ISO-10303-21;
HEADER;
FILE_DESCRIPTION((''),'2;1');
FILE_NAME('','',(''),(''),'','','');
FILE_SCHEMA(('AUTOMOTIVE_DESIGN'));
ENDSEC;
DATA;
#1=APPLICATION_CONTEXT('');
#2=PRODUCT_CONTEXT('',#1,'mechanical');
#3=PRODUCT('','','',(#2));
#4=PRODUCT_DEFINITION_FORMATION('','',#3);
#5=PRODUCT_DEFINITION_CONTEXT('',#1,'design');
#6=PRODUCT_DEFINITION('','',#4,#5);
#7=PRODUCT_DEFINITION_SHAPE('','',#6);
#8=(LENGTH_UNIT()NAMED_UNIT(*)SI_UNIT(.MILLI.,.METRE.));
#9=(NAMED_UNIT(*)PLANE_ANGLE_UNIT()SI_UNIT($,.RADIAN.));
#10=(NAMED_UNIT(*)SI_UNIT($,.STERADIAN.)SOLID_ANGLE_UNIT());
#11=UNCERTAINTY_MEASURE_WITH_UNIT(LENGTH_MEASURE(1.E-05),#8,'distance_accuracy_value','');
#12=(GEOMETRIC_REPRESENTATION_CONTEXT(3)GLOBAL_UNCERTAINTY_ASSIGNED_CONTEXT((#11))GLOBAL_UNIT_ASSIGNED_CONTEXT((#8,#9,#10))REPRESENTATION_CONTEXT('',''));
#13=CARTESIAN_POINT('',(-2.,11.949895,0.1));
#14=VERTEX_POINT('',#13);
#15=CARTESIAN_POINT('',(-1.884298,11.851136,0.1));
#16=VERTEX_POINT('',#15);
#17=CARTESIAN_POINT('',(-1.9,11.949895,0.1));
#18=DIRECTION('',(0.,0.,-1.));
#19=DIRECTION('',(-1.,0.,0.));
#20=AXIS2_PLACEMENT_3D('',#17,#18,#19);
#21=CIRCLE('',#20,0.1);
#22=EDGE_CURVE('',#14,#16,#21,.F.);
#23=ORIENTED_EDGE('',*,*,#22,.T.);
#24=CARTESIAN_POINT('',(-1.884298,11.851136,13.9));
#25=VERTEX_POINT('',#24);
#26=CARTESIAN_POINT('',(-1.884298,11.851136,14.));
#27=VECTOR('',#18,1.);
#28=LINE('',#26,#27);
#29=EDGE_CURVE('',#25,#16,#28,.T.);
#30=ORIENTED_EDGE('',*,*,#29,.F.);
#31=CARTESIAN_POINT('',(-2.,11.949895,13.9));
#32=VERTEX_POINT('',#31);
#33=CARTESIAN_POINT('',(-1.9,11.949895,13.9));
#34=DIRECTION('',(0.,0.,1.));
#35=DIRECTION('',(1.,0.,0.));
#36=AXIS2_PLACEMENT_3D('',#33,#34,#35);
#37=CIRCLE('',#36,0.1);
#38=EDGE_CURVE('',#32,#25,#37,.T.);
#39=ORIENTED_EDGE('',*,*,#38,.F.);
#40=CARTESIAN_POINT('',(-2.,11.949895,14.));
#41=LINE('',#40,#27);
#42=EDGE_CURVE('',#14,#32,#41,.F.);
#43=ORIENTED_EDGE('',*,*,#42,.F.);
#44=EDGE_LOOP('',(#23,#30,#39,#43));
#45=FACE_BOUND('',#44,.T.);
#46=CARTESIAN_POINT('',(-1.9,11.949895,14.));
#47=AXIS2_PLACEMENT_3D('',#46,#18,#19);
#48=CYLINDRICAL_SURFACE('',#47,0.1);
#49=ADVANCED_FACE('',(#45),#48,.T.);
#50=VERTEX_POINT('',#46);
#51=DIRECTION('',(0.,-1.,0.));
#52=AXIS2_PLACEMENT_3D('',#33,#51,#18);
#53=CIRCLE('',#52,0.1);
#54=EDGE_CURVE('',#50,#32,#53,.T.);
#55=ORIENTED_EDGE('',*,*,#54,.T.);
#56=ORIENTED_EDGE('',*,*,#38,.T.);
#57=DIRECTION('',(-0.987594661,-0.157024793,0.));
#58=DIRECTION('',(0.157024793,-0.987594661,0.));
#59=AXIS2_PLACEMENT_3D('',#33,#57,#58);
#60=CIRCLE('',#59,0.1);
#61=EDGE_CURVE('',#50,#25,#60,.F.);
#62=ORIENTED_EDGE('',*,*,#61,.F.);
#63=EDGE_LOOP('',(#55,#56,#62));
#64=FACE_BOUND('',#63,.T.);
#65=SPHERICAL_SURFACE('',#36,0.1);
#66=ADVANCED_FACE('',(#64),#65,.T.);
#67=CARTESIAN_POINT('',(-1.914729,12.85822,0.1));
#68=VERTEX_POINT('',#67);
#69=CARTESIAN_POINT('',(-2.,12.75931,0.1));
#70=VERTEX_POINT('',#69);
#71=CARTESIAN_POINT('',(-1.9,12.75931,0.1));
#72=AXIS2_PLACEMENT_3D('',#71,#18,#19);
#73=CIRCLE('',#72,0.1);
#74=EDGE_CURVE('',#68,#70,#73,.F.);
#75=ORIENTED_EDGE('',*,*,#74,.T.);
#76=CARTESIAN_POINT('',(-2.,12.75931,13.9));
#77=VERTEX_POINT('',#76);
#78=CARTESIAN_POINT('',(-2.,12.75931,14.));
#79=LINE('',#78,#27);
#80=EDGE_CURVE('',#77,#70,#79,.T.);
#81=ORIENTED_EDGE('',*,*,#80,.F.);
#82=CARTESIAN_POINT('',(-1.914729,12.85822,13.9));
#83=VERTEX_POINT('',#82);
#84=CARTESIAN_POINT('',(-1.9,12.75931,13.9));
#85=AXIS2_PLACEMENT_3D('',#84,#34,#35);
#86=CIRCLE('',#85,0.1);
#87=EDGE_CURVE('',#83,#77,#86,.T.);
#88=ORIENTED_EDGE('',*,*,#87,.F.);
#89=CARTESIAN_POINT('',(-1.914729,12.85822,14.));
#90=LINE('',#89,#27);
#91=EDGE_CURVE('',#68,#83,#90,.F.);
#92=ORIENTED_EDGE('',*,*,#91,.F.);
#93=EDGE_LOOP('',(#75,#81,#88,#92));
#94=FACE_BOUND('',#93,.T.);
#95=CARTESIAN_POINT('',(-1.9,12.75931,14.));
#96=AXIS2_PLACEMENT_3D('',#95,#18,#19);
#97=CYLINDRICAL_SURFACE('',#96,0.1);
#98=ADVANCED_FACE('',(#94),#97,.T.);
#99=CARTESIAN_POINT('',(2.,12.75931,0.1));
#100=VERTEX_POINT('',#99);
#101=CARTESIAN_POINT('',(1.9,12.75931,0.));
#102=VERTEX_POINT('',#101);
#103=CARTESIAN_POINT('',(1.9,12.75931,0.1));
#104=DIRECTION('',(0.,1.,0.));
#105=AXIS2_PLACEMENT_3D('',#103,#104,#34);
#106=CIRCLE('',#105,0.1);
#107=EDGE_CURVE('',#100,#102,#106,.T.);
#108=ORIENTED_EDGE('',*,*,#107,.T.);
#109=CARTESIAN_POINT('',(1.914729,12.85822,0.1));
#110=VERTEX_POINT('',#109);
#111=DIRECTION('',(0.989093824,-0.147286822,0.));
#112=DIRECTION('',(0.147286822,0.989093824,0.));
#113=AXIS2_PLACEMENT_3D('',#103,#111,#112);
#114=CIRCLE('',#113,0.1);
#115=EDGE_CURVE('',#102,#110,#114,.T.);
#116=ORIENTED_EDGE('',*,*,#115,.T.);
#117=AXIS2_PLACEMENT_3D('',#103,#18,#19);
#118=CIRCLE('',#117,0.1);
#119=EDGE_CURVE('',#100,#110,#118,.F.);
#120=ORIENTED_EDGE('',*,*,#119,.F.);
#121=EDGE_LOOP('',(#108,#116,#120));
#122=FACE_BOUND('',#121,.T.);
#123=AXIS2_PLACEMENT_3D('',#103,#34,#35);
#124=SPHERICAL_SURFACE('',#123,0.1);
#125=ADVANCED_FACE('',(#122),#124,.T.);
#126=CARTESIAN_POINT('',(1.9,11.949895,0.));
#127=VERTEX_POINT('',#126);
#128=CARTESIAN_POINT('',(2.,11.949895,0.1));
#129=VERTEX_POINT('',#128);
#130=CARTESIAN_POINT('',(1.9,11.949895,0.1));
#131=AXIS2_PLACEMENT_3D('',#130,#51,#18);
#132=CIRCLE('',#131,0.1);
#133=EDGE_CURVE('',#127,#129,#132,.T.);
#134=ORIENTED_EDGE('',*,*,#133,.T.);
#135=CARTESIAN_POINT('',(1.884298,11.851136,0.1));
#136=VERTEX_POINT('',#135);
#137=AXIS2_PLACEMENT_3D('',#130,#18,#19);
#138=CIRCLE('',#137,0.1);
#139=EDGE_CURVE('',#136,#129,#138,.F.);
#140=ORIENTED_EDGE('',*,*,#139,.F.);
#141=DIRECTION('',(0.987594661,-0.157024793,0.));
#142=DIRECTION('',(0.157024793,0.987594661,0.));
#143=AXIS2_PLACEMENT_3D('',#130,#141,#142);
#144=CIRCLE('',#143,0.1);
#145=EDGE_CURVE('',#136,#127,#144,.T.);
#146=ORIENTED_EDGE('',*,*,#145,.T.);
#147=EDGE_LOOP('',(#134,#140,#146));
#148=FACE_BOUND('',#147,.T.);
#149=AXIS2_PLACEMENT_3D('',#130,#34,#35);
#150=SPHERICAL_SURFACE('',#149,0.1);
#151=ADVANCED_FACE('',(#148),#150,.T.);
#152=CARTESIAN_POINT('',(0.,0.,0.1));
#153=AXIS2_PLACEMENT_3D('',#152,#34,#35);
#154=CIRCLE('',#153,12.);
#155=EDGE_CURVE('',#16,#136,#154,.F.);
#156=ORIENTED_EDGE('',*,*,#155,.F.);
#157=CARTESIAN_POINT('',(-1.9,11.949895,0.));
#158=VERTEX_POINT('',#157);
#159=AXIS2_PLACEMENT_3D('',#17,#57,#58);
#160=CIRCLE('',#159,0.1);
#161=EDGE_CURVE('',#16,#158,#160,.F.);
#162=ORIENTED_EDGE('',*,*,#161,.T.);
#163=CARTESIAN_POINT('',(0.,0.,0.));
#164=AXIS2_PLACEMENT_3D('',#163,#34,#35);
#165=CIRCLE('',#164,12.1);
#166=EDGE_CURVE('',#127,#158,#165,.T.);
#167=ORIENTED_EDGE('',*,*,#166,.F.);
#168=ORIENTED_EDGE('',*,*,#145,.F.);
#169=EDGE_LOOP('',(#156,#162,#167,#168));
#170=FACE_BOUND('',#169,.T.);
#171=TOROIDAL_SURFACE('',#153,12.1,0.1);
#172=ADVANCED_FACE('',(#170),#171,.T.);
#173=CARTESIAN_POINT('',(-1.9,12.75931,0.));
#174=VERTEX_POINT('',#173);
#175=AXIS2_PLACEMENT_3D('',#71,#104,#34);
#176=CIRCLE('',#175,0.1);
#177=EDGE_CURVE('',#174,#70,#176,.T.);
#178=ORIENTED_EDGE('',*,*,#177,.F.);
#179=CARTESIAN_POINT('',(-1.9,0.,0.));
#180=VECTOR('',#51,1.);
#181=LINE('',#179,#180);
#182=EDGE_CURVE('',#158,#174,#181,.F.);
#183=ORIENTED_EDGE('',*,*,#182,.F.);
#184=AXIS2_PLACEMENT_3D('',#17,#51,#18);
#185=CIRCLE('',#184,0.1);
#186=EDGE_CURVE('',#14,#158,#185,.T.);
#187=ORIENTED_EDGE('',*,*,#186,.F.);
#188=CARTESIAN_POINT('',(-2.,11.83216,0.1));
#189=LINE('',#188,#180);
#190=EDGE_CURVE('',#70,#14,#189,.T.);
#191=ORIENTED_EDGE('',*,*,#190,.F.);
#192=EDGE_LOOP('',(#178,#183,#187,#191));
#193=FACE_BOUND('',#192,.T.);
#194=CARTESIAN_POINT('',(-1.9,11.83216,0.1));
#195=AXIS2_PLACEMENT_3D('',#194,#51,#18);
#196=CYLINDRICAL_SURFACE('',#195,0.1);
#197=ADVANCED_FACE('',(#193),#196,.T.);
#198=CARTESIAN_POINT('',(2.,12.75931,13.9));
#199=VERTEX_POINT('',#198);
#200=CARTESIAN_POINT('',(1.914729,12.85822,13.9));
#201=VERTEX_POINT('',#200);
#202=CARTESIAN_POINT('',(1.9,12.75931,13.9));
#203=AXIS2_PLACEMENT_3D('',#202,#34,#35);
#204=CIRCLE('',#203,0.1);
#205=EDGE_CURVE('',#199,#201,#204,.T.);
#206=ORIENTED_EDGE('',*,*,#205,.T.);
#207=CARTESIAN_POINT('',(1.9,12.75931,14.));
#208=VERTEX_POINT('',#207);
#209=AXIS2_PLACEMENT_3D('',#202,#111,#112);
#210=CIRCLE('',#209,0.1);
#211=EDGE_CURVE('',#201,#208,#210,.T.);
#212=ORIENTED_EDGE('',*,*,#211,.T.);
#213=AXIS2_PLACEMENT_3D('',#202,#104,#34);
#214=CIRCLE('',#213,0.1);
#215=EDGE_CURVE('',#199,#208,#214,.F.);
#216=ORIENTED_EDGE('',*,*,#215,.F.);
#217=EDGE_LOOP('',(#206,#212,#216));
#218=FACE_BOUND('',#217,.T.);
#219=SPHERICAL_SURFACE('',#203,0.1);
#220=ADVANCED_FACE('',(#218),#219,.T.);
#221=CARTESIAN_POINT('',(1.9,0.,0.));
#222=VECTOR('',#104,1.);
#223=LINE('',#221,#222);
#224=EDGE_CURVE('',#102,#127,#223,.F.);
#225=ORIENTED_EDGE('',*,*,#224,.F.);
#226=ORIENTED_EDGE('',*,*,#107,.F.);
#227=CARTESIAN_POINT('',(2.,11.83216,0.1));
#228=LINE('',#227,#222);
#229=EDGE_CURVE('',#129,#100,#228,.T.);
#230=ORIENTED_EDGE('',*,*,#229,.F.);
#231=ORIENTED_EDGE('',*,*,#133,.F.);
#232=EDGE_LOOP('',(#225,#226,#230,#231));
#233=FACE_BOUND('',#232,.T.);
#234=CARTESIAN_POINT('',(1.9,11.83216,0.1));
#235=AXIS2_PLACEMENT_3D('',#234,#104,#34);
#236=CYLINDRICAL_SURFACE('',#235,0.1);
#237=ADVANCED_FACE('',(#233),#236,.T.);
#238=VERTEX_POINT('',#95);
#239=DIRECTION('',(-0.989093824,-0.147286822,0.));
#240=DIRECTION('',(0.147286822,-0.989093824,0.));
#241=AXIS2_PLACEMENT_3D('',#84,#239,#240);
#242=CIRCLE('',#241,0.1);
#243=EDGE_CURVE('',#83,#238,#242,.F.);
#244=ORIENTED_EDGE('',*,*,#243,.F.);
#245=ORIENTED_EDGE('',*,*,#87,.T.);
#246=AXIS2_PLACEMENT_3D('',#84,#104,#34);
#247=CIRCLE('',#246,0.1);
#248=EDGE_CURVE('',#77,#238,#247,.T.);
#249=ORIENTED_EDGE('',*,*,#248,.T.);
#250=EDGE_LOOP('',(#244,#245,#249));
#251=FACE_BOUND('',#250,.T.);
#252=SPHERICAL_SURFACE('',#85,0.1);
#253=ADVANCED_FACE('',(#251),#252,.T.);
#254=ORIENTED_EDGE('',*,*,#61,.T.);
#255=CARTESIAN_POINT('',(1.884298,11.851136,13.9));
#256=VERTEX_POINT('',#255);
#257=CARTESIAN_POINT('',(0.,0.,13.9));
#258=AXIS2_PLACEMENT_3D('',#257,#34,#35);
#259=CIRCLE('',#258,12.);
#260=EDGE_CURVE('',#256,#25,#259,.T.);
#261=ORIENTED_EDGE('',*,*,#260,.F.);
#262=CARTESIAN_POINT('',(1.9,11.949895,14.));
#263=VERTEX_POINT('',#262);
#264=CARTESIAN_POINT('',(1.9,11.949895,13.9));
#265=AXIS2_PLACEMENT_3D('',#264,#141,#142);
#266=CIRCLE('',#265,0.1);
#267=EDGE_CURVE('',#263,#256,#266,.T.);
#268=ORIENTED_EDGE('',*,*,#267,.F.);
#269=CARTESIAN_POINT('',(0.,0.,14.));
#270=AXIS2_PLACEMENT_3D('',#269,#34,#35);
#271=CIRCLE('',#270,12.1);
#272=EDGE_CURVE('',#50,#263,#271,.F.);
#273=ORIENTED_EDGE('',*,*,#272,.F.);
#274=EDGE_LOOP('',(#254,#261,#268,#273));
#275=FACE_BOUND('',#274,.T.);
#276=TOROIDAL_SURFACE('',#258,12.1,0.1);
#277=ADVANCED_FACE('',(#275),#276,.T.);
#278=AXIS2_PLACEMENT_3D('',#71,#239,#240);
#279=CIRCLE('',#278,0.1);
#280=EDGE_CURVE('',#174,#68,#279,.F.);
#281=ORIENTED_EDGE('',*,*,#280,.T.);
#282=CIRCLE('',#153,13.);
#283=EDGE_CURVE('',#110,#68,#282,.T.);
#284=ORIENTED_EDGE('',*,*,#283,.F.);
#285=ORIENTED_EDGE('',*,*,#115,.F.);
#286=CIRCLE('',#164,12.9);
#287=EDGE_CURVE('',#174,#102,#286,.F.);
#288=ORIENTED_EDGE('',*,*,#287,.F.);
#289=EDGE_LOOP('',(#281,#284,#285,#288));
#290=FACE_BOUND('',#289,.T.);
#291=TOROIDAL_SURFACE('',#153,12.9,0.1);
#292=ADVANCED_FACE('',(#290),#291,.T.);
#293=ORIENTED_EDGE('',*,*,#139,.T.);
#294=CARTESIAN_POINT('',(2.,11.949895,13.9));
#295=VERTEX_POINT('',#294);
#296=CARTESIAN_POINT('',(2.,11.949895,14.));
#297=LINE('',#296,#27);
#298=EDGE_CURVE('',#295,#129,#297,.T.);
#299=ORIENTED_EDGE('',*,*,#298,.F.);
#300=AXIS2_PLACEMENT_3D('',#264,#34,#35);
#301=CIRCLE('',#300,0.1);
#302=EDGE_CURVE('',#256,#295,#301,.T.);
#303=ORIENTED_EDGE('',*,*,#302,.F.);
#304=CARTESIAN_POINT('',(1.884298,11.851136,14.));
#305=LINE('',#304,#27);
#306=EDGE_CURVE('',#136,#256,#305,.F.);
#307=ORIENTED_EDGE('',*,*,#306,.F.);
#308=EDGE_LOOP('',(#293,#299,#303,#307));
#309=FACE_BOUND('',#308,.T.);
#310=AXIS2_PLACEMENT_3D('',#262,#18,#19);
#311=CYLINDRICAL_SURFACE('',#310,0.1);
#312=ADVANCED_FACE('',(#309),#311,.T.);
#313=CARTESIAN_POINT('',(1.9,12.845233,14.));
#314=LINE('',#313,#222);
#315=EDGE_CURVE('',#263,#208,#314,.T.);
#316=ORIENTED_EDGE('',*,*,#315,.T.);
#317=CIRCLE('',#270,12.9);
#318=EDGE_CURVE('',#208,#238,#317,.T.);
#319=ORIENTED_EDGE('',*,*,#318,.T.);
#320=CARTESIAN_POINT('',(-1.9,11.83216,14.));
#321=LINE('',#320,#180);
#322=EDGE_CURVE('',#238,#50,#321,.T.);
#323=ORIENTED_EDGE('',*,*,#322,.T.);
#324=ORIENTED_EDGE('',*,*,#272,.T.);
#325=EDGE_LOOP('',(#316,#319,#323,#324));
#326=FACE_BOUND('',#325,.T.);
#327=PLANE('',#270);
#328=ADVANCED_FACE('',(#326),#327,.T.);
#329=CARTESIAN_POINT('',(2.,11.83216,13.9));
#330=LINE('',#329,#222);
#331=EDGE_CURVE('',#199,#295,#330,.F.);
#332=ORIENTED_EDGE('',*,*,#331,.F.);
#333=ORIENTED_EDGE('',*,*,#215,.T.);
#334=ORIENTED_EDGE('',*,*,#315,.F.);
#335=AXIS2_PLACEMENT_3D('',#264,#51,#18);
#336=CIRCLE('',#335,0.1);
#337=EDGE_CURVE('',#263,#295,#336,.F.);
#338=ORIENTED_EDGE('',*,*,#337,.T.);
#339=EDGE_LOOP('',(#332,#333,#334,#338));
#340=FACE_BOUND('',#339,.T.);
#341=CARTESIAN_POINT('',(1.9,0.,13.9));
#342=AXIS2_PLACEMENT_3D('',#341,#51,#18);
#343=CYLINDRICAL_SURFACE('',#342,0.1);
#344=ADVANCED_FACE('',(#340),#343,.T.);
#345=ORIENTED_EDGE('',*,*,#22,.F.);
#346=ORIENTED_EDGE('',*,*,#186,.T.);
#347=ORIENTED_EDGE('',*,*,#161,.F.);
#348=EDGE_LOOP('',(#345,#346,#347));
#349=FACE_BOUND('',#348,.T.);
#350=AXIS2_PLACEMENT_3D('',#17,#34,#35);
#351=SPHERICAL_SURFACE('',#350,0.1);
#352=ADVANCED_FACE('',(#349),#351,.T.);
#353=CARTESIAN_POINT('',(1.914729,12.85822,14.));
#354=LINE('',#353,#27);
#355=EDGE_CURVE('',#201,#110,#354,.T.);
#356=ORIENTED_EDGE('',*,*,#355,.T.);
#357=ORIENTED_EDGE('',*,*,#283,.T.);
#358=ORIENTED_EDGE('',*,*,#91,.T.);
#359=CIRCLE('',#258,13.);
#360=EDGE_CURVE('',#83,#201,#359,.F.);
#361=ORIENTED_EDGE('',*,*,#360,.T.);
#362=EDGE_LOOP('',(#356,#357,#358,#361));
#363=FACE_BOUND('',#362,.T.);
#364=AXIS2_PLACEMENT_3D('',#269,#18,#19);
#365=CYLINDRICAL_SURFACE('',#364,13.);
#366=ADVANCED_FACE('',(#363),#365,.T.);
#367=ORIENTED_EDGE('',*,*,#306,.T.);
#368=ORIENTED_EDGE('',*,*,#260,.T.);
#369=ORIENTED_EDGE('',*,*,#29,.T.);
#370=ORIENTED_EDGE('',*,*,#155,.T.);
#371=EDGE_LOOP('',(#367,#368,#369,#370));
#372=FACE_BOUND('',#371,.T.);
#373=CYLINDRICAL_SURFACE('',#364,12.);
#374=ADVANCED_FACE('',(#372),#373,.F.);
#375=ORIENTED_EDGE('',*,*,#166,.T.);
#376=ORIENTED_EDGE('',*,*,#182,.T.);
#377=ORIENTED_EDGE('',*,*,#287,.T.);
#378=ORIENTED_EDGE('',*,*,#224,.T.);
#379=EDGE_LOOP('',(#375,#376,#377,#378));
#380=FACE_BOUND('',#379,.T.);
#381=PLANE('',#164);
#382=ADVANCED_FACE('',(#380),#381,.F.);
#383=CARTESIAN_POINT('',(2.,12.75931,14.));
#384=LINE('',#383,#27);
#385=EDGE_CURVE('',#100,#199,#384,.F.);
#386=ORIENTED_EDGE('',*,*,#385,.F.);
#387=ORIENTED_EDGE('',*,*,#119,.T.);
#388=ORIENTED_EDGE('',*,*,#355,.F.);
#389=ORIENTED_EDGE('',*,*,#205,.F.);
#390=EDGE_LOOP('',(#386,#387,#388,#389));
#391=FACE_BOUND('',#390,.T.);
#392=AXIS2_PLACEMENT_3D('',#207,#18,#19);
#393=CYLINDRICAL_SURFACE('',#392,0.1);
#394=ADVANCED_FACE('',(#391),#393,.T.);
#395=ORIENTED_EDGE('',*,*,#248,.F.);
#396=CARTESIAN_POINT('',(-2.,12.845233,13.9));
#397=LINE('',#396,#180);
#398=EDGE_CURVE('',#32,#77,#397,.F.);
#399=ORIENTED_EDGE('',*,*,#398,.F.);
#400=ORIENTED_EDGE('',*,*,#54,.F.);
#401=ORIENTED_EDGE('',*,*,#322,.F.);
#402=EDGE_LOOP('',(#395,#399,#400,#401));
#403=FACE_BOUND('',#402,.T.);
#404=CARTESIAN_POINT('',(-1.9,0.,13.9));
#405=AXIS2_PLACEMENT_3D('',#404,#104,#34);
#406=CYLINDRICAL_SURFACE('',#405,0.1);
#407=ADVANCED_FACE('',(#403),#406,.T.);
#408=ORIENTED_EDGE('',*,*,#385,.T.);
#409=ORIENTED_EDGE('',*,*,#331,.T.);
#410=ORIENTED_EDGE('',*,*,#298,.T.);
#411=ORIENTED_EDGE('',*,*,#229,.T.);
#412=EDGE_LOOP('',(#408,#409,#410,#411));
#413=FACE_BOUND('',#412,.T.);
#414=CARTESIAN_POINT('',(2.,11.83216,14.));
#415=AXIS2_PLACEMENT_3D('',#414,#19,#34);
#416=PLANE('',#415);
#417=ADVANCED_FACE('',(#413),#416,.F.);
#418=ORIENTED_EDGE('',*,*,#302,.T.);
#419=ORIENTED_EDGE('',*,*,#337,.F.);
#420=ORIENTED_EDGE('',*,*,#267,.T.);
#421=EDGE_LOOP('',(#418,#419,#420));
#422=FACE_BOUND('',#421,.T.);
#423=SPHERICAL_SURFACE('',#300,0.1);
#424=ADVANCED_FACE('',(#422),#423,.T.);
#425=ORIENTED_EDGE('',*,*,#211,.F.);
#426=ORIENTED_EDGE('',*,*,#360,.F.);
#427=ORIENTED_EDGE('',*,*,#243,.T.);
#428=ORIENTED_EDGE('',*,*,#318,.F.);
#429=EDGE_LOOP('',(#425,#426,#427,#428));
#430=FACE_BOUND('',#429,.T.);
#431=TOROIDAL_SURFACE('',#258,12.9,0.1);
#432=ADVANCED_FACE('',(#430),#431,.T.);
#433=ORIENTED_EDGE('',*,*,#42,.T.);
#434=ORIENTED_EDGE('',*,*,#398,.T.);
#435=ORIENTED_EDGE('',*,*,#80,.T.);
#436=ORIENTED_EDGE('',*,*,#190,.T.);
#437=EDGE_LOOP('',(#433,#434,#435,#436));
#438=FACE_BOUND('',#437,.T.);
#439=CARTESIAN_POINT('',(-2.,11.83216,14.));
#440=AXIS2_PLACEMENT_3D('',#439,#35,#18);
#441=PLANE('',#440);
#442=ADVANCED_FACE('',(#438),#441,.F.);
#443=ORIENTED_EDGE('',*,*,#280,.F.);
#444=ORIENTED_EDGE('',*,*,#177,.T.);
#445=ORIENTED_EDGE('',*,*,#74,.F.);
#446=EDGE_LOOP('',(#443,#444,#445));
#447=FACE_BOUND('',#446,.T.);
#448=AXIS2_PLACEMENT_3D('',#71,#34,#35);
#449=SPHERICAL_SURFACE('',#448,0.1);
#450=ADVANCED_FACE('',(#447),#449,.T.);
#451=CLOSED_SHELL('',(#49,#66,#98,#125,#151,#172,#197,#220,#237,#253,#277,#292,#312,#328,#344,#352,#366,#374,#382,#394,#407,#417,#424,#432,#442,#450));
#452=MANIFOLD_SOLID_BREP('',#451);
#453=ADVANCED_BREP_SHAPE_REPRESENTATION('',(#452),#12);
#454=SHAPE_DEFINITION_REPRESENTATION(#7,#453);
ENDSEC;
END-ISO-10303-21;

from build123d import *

# Parameters (mm, degrees)
BOSS_EXTRUDE1_DEPTH = 14
FILLET1_R           = 0.1


with BuildPart() as part:
    # Sketch1 → Boss-Extrude1 (new body)
    with BuildSketch(Plane.XY):
        with BuildLine():
            Line((2, 11.832159566), (2, 12.845232579))
            ThreePointArc((2, 12.845232579), (0, 13), (-2, 12.845232579))
            Line((-2, 12.845232579), (-2, 11.832159566))
            ThreePointArc((-2, 11.832159566), (0, 12), (2, 11.832159566))
        make_face()
    extrude(amount=BOSS_EXTRUDE1_DEPTH)

    # Fillet1
    fillet1_edges = [part.edges().sort_by_distance(p)[0] for p in [
        (0, 13, 14),
        (-2, 12.338696072, 14),
        (0, 12, 14),
        (-2, 12.338696072, 0),
        (0, 13, 0),
        (2, 12.338696072, 0),
        (0, 12, 0),
        (2, 12.338696072, 14),
        (-2, 11.832159566, 7),
        (-2, 12.845232579, 7),
        (2, 12.845232579, 7),
        (2, 11.832159566, 7),
    ]]
    fillet(fillet1_edges, radius=FILLET1_R)


solid = part.part
